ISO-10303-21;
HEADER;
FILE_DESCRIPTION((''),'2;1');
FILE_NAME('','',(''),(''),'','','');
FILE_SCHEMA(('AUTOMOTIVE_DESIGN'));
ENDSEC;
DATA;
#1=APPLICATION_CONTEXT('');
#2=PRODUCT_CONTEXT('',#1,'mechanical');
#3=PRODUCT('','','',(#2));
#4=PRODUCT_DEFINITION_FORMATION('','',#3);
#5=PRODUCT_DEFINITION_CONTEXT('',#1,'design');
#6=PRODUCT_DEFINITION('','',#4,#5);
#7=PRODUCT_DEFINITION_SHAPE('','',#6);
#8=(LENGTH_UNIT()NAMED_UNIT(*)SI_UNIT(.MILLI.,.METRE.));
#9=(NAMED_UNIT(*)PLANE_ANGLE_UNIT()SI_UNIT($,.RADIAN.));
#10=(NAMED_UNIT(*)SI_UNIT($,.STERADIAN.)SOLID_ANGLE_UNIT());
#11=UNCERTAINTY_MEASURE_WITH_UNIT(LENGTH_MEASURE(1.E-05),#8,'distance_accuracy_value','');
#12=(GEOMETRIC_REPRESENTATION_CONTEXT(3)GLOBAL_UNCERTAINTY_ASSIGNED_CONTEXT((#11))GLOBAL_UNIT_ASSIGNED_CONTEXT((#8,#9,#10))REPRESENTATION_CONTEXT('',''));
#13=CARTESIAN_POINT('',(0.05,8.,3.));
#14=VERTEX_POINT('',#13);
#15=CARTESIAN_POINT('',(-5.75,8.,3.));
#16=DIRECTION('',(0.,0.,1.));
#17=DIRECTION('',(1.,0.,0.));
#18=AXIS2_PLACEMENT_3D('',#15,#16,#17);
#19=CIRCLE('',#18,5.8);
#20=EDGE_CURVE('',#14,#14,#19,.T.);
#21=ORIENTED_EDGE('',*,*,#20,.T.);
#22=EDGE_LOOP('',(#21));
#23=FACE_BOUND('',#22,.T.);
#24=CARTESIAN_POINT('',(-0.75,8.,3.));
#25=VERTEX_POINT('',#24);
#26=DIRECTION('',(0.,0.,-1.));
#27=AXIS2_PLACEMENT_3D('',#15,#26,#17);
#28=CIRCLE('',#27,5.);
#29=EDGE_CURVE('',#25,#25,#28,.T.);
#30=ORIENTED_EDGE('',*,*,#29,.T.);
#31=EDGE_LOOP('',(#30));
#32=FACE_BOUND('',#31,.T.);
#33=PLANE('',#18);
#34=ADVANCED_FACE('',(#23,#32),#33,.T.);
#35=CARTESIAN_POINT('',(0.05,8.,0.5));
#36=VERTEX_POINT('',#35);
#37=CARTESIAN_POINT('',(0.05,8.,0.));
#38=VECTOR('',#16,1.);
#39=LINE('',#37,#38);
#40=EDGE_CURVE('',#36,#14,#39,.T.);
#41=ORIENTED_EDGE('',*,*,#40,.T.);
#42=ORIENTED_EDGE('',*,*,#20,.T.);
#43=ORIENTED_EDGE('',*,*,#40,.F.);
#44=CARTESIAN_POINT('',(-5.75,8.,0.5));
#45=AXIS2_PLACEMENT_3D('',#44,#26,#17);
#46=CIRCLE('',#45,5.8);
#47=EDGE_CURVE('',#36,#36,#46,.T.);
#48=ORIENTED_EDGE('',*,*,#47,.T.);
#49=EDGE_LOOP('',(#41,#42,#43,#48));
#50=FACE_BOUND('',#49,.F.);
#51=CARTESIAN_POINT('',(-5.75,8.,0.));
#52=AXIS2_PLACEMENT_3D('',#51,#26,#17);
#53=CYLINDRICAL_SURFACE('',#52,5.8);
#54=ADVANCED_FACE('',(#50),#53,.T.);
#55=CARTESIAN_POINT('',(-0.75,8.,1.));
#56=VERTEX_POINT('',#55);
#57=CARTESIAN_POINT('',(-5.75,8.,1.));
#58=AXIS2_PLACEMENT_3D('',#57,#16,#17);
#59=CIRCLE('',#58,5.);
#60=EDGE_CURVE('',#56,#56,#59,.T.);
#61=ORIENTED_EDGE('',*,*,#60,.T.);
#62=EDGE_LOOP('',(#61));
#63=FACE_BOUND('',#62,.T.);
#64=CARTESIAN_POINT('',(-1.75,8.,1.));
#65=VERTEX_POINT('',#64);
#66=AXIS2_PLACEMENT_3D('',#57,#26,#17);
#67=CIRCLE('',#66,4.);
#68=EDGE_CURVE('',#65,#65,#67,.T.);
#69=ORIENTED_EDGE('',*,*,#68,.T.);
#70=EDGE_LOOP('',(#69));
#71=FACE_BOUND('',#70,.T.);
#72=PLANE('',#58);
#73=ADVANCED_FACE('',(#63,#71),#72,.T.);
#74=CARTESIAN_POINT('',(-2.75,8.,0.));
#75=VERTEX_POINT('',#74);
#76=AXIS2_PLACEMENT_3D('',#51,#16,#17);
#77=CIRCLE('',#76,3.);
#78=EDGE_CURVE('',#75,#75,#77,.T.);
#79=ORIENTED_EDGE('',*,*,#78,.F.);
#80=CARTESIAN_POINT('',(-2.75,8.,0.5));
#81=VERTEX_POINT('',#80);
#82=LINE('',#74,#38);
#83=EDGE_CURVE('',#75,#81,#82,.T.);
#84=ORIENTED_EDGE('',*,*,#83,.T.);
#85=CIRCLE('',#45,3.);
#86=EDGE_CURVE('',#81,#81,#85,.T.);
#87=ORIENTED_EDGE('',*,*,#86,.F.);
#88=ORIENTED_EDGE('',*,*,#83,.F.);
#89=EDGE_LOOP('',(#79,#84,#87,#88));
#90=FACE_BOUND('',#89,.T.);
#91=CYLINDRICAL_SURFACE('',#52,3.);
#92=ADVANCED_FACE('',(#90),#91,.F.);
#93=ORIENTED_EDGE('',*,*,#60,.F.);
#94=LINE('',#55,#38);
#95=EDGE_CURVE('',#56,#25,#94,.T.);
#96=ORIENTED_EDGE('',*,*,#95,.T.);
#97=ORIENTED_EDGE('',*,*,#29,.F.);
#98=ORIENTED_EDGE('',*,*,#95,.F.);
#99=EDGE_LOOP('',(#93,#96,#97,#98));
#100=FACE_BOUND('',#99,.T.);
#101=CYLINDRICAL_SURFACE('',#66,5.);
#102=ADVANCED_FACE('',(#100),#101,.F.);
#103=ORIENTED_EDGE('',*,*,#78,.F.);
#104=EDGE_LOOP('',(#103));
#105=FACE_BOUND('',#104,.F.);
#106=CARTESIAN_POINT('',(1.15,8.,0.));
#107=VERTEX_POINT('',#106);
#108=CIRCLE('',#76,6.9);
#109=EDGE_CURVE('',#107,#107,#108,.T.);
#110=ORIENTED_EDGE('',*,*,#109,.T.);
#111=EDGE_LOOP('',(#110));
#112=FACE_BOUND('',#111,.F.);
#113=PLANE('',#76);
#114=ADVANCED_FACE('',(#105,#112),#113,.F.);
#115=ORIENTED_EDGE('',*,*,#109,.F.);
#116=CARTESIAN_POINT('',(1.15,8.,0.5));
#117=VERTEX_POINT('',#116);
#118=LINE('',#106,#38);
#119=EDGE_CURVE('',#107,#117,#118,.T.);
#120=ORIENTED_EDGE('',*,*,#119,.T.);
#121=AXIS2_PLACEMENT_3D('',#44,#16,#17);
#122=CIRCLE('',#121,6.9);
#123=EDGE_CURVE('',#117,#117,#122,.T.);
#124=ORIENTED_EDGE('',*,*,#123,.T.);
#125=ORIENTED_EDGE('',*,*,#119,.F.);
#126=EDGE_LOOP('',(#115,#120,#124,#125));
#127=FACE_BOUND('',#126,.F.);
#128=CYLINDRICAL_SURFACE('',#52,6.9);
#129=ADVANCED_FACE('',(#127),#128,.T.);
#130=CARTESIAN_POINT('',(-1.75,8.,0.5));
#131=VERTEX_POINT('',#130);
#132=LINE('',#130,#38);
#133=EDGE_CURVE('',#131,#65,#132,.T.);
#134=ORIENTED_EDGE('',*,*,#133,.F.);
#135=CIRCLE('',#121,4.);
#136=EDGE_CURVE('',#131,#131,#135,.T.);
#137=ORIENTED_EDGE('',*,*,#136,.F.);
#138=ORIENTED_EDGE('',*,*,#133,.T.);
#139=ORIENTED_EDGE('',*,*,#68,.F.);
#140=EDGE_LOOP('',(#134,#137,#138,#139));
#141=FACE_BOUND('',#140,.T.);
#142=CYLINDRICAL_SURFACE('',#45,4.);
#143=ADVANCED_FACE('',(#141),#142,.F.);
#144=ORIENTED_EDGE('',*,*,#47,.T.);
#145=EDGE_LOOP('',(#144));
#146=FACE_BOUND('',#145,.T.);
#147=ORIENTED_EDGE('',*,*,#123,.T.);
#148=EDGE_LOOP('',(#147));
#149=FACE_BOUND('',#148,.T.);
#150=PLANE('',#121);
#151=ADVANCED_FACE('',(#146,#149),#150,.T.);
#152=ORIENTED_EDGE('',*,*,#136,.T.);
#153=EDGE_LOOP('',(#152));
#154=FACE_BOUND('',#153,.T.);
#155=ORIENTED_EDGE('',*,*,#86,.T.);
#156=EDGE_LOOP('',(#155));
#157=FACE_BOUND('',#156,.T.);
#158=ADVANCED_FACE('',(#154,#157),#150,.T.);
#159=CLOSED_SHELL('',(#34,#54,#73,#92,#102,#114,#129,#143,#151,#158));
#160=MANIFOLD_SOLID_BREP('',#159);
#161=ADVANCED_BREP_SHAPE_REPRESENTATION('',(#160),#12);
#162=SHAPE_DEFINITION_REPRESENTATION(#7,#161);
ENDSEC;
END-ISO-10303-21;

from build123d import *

# Parameters (mm, degrees)
CYLINDER023_R     = 5
CYLINDER023_DEPTH = 2.5
CYLINDER021_R     = 4
CYLINDER021_DEPTH = 2.5
CYLINDER022_R     = 3
CYLINDER022_DEPTH = 4
CYLINDER019_R     = 6.9
CYLINDER019_DEPTH = 0.5
CYLINDER020_R     = 5.8
CYLINDER020_DEPTH = 3


with BuildPart() as cylinder023:
    # Cylinder023 → Cylinder023 (new body)
    with BuildSketch(Plane(origin=(-5.75, 8, 1), x_dir=(1, 0, 0), z_dir=(0, 0, 1))):
        Circle(CYLINDER023_R)
    extrude(amount=CYLINDER023_DEPTH)


with BuildPart() as cylinder021:
    # Cylinder021 → Cylinder021 (new body)
    with BuildSketch(Plane(origin=(-5.75, 8, 0.5), x_dir=(1, 0, 0), z_dir=(0, 0, 1))):
        Circle(CYLINDER021_R)
    extrude(amount=CYLINDER021_DEPTH)


with BuildPart() as cylinder022:
    # Cylinder022 → Cylinder022 (new body)
    with BuildSketch(Plane(origin=(-5.75, 8, 0), x_dir=(1, 0, 0), z_dir=(0, 0, 1))):
        Circle(CYLINDER022_R)
    extrude(amount=CYLINDER022_DEPTH)


with BuildPart() as cylinder019:
    # Cylinder019 → Cylinder019 (new body)
    with BuildSketch(Plane(origin=(-5.75, 8, 0), x_dir=(1, 0, 0), z_dir=(0, 0, 1))):
        Circle(CYLINDER019_R)
    extrude(amount=CYLINDER019_DEPTH)


with BuildPart() as lens:
    # Cylinder020 → Cylinder020 (new body)
    with BuildSketch(Plane(origin=(-5.75, 8, 0), x_dir=(1, 0, 0), z_dir=(0, 0, 1))):
        Circle(CYLINDER020_R)
    extrude(amount=CYLINDER020_DEPTH)

    # Fusion003007006010: union Cylinder019
    add(cylinder019.part)

    # Cut007014: cut Cylinder022
    add(cylinder022.part, mode=Mode.SUBTRACT)

    # Cut007015: cut Cylinder021
    add(cylinder021.part, mode=Mode.SUBTRACT)

    # Cut007016: cut Cylinder023
    add(cylinder023.part, mode=Mode.SUBTRACT)


solid = lens.part
